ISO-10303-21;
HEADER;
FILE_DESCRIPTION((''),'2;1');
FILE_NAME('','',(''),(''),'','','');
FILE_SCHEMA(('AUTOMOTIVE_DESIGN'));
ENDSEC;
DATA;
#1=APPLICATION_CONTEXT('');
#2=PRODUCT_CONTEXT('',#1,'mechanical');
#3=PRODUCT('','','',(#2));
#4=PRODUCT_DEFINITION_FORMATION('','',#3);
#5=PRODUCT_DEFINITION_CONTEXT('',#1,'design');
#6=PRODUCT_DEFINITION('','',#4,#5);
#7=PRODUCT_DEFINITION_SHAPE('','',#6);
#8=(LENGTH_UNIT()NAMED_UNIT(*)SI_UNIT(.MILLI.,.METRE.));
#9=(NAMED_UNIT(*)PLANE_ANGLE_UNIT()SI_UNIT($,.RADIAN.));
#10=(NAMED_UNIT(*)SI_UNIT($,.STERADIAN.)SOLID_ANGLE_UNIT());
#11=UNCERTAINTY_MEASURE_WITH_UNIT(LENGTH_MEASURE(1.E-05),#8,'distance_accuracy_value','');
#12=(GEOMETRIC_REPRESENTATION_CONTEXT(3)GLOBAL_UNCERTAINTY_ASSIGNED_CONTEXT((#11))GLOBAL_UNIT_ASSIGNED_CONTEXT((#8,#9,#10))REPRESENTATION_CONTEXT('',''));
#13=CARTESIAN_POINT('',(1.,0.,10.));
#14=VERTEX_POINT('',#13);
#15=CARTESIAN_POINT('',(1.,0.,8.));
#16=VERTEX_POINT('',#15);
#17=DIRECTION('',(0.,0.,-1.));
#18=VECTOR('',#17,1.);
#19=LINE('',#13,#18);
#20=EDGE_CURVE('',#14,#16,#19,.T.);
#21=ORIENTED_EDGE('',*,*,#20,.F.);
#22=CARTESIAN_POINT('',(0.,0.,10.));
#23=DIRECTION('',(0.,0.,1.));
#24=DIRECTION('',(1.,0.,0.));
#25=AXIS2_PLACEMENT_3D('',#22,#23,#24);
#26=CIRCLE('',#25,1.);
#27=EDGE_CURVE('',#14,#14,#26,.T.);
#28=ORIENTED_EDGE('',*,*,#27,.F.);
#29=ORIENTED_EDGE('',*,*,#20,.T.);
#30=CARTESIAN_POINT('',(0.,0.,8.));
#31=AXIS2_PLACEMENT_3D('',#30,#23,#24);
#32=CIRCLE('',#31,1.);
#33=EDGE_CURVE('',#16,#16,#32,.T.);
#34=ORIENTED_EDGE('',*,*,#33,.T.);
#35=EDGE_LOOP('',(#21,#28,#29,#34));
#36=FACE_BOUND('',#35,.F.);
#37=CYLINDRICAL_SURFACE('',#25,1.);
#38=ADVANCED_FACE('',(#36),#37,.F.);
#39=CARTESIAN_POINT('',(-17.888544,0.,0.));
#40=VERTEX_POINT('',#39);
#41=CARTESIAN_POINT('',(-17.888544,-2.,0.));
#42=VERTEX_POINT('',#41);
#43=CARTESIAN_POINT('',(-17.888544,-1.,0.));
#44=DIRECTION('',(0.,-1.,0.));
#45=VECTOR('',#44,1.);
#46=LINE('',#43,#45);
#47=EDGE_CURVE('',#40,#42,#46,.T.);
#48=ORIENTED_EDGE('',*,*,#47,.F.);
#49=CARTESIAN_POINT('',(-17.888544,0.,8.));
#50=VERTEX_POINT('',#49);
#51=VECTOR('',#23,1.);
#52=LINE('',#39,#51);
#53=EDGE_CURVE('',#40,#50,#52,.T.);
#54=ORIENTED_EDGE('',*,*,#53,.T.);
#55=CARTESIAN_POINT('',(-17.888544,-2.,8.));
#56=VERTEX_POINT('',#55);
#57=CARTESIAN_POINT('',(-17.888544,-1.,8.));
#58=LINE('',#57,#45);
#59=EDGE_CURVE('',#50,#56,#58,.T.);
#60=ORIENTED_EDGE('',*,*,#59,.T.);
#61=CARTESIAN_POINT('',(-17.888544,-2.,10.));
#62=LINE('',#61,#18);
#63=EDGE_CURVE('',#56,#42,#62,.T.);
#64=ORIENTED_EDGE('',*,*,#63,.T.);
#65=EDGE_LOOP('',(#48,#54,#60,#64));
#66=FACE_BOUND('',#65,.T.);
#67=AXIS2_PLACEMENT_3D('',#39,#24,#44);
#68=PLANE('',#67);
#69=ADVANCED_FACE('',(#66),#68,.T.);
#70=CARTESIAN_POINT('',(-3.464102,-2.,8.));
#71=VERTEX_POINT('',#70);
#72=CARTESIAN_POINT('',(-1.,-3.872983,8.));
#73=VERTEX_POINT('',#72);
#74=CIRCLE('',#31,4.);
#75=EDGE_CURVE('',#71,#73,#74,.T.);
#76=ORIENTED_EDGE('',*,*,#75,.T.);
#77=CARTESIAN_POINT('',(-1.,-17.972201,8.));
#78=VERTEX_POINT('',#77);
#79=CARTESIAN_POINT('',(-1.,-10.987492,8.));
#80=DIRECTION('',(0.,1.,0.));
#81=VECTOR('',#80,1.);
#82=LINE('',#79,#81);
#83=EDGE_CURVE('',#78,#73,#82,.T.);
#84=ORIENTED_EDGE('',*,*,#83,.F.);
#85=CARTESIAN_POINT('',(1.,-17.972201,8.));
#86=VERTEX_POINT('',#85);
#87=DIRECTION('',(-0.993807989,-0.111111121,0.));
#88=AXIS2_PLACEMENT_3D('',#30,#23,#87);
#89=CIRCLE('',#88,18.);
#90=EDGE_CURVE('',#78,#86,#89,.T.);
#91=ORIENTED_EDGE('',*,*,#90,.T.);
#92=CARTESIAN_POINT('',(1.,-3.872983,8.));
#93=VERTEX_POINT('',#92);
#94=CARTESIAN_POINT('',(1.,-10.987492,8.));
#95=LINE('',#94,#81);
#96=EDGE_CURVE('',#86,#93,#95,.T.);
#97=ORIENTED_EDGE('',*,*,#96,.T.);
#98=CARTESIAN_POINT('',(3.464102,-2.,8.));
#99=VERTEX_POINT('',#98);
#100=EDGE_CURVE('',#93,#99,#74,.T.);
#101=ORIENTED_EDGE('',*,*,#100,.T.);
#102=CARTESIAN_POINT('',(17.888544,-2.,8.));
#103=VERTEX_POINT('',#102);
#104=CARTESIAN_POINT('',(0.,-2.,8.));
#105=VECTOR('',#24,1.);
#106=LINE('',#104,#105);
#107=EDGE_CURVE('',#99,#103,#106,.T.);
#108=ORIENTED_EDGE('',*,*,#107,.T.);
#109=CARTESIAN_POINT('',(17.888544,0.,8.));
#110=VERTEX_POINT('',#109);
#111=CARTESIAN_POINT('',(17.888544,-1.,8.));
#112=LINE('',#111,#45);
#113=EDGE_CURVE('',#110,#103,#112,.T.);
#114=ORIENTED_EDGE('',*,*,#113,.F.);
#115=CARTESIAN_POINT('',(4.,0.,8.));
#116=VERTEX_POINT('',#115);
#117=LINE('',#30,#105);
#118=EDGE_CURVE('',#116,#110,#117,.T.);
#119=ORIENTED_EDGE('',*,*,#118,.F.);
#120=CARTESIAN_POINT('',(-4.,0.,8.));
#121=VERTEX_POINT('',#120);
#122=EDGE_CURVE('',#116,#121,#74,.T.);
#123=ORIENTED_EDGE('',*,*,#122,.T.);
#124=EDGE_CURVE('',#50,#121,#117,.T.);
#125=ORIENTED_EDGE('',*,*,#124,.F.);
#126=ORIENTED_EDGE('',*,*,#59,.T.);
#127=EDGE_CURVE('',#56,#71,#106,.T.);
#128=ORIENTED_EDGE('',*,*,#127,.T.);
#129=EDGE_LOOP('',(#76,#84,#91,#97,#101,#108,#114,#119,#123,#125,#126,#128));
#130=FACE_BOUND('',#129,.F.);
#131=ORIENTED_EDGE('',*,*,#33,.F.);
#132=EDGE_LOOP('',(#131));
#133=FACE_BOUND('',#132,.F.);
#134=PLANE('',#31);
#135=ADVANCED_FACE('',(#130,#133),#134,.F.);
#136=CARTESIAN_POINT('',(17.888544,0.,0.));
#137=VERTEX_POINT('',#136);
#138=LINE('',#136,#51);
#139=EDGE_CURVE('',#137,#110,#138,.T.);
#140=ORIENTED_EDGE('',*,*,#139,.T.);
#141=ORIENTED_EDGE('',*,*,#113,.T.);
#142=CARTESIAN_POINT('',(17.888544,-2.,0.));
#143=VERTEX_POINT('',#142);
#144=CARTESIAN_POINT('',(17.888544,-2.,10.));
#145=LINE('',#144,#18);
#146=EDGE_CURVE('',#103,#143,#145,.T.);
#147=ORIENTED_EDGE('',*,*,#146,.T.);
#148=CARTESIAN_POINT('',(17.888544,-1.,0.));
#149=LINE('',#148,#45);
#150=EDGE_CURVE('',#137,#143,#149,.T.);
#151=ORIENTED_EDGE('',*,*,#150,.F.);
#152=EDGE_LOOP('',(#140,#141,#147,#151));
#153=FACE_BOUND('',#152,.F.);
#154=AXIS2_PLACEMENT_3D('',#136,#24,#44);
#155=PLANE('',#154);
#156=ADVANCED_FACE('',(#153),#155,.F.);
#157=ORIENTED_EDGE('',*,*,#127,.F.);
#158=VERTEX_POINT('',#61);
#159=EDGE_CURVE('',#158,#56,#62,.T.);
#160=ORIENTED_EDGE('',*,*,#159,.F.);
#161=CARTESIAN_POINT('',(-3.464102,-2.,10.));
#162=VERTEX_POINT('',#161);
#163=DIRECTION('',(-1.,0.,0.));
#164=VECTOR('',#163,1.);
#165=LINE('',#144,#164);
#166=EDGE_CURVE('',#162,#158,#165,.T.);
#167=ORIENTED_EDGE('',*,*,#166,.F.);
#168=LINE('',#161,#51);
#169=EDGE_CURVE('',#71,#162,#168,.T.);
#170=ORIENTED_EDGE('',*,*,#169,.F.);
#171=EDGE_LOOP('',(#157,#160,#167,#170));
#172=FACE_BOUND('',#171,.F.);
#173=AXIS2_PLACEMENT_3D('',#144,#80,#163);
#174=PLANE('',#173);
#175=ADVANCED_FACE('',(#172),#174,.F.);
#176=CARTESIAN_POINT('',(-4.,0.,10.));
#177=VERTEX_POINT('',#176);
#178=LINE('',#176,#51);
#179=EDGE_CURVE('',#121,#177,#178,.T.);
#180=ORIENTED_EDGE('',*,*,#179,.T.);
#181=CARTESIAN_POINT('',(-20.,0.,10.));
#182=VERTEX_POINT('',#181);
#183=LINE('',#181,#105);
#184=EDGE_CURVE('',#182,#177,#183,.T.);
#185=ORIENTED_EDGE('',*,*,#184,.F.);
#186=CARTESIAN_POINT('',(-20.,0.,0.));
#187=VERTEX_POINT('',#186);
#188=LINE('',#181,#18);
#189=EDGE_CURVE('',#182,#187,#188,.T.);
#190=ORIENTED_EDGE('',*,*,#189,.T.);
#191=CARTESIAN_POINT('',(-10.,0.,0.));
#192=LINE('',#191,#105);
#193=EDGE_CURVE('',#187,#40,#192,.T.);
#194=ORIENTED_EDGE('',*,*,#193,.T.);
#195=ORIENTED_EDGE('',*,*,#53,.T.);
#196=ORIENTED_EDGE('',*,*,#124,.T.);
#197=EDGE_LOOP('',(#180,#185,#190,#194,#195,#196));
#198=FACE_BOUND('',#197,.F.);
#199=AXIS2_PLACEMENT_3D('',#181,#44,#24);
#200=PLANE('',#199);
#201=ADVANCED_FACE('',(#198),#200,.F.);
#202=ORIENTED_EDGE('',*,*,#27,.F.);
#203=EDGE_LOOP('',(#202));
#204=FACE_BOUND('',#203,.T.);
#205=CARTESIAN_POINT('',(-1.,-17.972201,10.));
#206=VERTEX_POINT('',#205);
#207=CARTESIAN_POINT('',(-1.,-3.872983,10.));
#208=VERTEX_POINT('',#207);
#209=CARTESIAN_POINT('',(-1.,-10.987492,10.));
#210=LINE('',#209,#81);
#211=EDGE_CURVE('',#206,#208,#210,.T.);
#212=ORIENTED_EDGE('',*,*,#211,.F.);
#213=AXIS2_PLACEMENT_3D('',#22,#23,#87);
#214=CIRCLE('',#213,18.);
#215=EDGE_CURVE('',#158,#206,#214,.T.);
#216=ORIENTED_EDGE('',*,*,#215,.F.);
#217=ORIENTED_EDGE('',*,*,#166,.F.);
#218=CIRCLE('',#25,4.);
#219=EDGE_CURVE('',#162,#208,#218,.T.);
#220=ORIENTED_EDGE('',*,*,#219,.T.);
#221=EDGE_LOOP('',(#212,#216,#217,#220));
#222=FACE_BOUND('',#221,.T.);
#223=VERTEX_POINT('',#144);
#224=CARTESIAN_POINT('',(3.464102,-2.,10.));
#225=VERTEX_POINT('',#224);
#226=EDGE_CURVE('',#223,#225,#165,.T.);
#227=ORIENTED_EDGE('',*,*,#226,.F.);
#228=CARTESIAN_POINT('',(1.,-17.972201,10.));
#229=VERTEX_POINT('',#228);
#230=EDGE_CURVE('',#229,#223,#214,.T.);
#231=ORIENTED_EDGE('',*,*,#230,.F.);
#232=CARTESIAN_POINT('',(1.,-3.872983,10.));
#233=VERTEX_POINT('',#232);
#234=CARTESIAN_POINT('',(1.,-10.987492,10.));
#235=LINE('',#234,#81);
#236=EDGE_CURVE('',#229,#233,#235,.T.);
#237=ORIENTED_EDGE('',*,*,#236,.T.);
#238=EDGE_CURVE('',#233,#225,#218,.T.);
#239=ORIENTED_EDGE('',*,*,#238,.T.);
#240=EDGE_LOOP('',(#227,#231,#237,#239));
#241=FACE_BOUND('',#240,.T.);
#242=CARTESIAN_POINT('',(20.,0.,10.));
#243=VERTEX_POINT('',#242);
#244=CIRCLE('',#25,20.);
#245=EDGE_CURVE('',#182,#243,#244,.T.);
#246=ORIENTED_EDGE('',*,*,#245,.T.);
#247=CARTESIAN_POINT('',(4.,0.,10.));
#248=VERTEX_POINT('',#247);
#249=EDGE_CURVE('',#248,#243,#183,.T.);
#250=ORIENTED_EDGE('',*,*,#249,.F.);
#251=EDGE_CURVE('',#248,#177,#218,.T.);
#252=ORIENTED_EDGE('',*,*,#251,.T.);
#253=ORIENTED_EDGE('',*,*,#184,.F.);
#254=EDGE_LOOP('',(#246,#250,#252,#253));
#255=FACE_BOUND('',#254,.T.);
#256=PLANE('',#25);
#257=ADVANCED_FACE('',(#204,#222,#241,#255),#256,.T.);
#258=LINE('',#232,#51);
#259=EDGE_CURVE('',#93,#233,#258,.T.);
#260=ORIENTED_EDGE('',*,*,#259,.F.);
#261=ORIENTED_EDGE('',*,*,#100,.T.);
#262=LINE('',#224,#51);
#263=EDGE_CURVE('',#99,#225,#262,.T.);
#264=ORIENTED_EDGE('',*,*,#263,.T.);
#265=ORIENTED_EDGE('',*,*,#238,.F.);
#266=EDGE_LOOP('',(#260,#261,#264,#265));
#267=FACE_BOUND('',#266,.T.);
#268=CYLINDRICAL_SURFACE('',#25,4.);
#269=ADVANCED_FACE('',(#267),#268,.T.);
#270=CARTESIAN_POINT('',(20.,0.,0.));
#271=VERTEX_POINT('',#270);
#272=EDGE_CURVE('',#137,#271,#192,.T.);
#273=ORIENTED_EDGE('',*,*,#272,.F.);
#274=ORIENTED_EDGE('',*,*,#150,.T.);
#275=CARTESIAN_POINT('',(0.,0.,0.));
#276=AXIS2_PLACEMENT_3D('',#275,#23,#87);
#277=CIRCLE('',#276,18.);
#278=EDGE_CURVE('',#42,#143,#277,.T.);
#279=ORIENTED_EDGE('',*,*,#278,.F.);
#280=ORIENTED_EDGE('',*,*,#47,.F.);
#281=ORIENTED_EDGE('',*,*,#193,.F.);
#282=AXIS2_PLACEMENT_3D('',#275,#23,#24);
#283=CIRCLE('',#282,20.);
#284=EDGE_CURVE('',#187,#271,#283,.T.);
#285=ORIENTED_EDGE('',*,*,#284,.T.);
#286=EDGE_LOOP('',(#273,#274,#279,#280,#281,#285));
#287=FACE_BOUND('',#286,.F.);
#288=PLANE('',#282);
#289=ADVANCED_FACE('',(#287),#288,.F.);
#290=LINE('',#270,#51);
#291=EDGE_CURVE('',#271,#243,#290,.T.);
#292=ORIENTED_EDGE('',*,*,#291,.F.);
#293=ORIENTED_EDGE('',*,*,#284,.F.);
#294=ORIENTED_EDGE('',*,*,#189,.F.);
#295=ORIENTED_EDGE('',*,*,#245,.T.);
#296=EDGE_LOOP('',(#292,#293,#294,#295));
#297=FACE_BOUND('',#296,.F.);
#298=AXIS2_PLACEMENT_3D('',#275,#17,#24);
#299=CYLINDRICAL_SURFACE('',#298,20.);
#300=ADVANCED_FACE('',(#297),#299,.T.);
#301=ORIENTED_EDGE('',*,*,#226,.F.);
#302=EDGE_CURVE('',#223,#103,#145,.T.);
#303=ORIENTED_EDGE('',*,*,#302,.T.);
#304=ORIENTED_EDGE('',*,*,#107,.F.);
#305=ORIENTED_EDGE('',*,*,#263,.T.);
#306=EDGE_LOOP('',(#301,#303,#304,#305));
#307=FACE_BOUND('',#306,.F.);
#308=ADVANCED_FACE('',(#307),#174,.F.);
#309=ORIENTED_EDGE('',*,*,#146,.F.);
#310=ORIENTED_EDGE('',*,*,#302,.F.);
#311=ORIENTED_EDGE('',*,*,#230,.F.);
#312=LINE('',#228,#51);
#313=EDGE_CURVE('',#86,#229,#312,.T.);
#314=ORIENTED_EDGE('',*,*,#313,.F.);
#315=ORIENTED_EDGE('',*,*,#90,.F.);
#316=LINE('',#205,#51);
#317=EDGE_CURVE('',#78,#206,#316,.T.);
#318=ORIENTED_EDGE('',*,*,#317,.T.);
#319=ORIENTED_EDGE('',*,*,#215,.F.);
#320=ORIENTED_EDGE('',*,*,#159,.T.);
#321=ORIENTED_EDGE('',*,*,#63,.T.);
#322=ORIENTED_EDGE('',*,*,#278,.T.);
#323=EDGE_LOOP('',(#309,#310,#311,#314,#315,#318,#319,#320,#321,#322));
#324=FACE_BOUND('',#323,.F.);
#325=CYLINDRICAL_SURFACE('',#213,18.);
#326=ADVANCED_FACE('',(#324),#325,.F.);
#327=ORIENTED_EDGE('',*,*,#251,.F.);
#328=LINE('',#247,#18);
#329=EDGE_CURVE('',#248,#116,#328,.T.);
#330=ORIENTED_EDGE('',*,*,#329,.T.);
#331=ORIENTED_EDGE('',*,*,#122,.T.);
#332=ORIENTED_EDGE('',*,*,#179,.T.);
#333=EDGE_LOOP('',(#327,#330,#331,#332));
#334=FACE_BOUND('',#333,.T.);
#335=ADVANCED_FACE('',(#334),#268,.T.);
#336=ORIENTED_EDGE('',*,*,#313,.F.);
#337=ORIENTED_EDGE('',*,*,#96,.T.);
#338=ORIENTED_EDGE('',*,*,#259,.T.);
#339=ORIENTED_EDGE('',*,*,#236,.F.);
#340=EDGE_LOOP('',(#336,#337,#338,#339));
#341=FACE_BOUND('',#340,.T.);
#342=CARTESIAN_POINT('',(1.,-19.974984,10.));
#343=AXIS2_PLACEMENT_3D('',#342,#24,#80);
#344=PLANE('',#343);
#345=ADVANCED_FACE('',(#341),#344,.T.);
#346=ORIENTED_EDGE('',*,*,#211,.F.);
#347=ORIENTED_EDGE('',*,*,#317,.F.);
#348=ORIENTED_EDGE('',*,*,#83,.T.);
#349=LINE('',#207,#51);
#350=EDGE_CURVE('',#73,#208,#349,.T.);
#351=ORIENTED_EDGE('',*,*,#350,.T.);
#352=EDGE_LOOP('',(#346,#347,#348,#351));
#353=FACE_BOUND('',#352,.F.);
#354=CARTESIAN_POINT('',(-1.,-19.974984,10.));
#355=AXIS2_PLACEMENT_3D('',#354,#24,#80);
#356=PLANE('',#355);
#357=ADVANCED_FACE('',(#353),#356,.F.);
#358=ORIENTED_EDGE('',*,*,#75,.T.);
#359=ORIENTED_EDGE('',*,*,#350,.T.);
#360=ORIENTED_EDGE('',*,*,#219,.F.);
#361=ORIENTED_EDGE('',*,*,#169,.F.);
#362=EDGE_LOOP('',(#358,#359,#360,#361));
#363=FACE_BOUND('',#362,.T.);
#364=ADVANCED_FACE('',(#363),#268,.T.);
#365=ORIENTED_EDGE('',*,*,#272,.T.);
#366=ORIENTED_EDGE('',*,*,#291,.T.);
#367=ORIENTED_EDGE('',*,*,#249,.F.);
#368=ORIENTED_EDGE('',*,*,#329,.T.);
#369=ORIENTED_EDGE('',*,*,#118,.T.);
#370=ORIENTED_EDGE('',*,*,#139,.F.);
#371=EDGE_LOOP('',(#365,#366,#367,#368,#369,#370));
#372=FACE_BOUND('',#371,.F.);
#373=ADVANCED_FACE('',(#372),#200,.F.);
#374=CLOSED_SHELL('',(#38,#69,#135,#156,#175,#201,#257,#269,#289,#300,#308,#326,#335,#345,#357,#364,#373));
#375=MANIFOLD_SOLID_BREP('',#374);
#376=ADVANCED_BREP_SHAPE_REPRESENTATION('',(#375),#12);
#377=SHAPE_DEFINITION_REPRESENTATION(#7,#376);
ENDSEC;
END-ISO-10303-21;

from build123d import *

# Parameters (mm, degrees)
F0_R      = 20
F1_DEPTH  = 10
F3_DEPTH  = 25
F4_DEPTH  = 25
F6_DEPTH  = 25
F7_W      = 35.777088
F7_H      = 2
F8_DEPTH  = 8
F9_W      = 2
F9_H      = 17.974984
F10_DEPTH = 2
F11_R     = 4
F12_DEPTH = 2
F13_R     = 1
F14_DEPTH = 25


with BuildPart() as f1:
    # F0 (on Top) → F1 (new body)
    with BuildSketch(Plane.XY):
        Circle(F0_R)
    extrude(amount=F1_DEPTH)

    # F2 (on face) → F3 (cut)
    with BuildSketch(Plane.XY.offset(10)):
        with BuildLine():
            Line((-20, 0), (0, 0))
            Line((0, 0), (20, 0))
            ThreePointArc((20, 0), (0, 20), (-20, 0))
        make_face()
    extrude(amount=-F3_DEPTH, mode=Mode.SUBTRACT)

    # F2 (on face) → F4 (cut)
    with BuildSketch(Plane.XY.offset(10)):
        with BuildLine():
            Line((-20, 0), (0, 0))
            Line((0, 0), (20, 0))
            ThreePointArc((20, 0), (0, 20), (-20, 0))
        make_face()
    extrude(amount=-F4_DEPTH, mode=Mode.SUBTRACT)

    # F5 (on face) → F6 (cut)
    with BuildSketch(Plane.XY.offset(10)):
        with BuildLine():
            ThreePointArc((-17.888544, -2), (0, -18), (17.888544, -2))
            Line((17.888544, -2), (-17.888544, -2))
        make_face()
    extrude(amount=-F6_DEPTH, mode=Mode.SUBTRACT)

    # F7 (on face) → F8 (cut)
    with BuildSketch(Plane(origin=(0, 0, 0), x_dir=(1, 0, 0), z_dir=(0, 0, -1))):
        with Locations((0, 1)):
            Rectangle(F7_W, F7_H)
    extrude(amount=-F8_DEPTH, mode=Mode.SUBTRACT)

    # F9 (on face) → F10 (join)
    with BuildSketch(Plane.XY.offset(10)):
        with Locations((0, -10.987492)):
            Rectangle(F9_W, F9_H)
    extrude(amount=-F10_DEPTH)

    # F11 (on face) → F12 (join)
    with BuildSketch(Plane.XY.offset(10)):
        Circle(F11_R)
    extrude(amount=-F12_DEPTH)

    # F13 (on face) → F14 (cut)
    with BuildSketch(Plane.XY.offset(10)):
        Circle(F13_R)
    extrude(amount=-F14_DEPTH, mode=Mode.SUBTRACT)


solid = f1.part
